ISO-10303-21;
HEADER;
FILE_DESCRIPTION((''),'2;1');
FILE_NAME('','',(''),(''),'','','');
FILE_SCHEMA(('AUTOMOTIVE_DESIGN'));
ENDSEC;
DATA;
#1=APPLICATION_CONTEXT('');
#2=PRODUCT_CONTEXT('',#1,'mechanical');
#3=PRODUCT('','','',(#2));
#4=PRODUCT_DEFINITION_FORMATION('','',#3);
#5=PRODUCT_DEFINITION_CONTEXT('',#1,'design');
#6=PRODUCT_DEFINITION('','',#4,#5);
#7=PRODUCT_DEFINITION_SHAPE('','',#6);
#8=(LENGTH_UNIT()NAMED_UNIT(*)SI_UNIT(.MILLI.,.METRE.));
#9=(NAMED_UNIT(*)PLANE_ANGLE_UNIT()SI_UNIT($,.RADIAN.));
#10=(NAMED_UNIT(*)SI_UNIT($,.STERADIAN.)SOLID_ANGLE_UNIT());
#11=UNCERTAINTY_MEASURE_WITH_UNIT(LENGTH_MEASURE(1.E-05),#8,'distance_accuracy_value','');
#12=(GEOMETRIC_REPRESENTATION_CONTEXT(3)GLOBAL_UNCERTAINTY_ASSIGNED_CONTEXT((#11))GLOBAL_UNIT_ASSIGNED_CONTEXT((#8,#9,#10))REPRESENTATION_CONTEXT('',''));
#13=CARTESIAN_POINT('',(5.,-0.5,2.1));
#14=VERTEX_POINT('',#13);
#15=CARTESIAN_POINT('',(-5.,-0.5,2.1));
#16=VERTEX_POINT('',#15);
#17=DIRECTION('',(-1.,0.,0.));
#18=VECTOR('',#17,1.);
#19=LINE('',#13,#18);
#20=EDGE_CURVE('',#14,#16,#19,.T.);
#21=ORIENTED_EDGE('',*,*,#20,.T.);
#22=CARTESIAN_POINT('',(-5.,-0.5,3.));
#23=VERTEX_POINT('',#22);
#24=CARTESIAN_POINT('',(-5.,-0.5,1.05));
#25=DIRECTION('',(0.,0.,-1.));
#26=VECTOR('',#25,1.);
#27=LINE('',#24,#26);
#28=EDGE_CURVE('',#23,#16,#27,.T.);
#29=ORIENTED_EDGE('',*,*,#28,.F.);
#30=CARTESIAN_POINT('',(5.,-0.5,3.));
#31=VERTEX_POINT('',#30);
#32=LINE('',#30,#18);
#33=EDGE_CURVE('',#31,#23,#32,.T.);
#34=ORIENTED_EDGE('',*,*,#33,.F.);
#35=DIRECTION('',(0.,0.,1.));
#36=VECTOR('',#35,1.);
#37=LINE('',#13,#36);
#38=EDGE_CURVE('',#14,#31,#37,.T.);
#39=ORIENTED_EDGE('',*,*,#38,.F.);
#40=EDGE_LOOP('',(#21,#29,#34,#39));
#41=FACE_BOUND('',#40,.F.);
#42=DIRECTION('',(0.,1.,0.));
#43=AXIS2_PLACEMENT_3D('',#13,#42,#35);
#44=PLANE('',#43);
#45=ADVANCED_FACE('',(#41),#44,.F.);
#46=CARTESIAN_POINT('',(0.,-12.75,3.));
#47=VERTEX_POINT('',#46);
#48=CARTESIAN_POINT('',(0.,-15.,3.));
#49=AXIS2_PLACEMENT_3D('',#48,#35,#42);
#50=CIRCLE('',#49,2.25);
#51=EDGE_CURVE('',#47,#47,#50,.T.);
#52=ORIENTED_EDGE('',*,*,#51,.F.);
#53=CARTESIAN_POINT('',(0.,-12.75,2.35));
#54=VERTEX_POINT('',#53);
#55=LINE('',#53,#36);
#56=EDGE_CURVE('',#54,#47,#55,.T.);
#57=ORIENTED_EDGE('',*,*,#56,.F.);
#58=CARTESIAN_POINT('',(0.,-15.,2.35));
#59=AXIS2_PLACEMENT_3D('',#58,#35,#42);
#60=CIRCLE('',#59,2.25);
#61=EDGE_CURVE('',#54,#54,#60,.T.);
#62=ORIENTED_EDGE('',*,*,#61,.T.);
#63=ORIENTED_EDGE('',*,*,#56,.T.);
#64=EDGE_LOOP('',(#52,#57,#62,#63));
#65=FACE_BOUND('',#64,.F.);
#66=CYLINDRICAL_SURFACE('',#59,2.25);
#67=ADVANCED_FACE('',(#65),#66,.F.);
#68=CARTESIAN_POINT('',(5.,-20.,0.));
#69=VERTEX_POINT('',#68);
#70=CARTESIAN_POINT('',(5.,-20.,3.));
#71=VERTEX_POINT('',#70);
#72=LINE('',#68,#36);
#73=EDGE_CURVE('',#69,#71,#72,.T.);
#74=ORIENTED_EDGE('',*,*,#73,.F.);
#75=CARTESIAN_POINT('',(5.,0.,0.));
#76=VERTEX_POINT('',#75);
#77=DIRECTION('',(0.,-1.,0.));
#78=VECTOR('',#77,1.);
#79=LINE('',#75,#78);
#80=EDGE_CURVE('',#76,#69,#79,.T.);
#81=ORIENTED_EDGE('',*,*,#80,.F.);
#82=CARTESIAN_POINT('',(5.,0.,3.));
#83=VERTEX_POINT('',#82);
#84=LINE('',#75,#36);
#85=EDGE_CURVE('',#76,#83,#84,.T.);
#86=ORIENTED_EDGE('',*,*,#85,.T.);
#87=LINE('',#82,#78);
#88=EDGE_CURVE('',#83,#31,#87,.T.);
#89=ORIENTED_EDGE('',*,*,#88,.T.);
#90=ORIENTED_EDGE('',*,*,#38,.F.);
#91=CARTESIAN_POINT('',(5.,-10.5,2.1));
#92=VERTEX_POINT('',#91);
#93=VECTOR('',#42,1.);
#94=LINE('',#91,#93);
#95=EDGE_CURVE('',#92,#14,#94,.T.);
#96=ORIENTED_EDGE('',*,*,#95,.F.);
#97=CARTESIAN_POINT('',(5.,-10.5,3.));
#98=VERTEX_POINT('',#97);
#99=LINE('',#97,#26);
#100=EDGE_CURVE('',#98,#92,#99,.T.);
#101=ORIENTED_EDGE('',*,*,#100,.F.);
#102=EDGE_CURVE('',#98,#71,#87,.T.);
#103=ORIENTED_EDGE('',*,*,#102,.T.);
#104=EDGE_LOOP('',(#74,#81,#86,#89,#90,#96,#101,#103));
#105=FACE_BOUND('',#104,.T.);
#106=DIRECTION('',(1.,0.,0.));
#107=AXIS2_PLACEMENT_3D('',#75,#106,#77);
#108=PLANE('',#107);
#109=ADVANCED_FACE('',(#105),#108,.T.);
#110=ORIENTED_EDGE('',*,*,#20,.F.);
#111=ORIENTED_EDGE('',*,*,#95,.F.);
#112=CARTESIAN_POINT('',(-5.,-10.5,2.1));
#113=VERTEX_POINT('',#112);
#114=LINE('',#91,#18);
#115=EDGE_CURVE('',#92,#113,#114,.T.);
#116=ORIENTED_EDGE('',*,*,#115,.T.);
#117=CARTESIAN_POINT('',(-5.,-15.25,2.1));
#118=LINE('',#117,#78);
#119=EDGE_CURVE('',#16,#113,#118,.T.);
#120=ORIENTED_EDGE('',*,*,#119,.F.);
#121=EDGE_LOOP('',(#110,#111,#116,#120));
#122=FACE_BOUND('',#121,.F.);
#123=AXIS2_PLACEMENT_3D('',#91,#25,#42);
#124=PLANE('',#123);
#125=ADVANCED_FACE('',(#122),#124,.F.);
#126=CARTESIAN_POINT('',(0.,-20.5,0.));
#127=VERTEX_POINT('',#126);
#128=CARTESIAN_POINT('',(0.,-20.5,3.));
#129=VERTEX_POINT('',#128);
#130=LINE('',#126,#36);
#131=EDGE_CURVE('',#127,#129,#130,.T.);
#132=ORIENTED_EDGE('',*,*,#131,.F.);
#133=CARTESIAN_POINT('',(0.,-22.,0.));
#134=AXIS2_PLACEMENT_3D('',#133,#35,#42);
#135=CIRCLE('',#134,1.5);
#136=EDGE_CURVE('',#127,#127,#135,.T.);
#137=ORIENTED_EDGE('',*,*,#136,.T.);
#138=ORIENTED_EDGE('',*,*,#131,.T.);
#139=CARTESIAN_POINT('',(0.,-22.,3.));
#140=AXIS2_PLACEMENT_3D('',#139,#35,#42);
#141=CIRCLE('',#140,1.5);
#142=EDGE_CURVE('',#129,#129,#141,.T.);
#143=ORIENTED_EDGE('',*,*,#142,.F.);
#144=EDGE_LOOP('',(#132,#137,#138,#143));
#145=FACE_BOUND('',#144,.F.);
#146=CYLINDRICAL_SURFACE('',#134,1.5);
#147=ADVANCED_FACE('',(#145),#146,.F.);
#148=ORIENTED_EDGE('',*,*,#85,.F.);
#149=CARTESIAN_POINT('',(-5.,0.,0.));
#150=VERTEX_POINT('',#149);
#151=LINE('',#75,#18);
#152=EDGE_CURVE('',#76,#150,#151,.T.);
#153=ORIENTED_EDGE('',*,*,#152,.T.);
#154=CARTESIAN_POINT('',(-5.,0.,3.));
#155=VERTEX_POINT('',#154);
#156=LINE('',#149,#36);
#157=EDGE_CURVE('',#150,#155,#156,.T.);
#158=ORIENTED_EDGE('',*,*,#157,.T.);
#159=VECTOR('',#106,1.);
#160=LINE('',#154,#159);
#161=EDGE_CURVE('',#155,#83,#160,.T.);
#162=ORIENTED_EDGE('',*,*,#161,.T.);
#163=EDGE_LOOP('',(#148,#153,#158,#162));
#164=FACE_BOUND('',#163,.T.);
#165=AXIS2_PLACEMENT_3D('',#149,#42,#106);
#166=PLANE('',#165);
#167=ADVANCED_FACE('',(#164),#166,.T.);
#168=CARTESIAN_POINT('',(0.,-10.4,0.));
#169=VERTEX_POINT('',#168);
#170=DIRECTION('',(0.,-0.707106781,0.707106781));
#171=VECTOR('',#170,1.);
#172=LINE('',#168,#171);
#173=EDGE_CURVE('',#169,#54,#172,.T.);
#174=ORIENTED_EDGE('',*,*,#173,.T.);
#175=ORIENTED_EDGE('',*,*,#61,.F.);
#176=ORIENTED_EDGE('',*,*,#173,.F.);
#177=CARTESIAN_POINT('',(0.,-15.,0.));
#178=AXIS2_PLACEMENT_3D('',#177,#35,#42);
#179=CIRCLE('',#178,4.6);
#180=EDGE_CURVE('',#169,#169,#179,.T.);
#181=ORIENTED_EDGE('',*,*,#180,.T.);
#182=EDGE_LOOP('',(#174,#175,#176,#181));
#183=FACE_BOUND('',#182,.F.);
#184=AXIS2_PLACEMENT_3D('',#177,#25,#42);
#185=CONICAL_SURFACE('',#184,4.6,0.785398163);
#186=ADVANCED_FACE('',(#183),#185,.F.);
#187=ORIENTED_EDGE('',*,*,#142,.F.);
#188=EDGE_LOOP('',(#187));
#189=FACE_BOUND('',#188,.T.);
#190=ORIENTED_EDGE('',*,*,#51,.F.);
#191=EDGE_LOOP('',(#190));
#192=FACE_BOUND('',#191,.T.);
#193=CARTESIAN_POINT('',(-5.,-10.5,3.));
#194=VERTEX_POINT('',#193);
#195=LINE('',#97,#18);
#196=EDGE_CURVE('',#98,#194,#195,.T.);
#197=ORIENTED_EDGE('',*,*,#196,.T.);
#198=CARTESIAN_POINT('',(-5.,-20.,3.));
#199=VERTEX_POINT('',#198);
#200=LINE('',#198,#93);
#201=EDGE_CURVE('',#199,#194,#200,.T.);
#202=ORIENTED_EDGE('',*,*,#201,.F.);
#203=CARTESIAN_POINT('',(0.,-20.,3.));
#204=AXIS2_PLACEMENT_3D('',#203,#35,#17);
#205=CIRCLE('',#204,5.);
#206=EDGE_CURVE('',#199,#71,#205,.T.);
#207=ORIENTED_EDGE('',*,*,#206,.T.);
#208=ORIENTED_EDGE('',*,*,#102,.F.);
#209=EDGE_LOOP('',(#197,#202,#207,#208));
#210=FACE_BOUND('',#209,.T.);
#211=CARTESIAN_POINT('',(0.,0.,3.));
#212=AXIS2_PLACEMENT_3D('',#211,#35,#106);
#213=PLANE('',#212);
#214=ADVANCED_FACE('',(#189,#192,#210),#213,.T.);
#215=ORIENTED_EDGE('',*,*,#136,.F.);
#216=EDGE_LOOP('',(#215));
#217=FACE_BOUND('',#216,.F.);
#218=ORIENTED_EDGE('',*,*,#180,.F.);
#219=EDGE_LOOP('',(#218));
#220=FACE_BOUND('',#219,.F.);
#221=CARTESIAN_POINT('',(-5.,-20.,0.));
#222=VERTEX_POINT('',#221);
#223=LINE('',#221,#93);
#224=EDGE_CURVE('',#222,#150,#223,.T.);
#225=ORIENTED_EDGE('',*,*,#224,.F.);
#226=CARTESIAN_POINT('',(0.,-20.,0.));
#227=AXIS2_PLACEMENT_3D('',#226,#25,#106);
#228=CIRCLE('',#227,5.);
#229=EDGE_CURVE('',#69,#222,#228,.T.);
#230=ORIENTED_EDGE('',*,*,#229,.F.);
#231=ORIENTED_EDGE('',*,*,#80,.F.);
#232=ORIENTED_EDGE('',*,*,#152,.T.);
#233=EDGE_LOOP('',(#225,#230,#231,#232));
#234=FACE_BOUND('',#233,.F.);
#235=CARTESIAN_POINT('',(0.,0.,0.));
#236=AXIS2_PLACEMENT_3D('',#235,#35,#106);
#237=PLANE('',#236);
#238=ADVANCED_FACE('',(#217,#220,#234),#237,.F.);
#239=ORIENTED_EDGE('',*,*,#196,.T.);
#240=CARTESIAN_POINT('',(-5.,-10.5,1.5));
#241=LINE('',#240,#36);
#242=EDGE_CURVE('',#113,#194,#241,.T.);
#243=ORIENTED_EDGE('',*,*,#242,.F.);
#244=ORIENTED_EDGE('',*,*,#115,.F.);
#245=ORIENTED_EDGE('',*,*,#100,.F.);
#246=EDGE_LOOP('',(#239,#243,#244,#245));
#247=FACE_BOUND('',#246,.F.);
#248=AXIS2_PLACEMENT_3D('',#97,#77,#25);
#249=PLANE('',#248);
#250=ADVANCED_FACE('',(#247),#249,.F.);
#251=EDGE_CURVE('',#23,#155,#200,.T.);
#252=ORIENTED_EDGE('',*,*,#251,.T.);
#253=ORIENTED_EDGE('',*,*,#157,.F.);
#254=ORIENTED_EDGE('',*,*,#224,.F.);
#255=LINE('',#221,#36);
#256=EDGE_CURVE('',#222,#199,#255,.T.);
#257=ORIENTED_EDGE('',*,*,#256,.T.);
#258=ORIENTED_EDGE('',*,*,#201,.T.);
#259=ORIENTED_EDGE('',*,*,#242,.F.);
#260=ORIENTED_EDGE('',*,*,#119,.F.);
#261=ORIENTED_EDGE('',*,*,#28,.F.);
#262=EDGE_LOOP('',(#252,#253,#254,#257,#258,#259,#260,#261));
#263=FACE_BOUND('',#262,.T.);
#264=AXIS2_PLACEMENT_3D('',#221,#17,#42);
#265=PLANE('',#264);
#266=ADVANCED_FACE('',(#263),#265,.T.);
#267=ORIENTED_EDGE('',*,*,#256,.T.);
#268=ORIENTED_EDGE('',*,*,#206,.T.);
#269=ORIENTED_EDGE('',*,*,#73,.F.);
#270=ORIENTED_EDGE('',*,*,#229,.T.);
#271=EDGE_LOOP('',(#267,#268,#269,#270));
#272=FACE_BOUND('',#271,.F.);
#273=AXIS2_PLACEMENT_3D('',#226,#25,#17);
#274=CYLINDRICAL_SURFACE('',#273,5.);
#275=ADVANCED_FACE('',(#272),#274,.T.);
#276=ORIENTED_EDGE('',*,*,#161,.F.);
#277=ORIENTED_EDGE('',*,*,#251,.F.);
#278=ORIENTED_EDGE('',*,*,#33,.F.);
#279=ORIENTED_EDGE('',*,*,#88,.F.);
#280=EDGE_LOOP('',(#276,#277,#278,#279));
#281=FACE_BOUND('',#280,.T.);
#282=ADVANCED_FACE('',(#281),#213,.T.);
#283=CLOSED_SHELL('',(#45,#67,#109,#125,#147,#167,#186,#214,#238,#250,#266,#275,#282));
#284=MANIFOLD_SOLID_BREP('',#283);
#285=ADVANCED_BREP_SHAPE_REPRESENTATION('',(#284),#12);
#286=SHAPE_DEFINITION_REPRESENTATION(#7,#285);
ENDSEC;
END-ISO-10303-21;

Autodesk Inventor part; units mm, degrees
ref_plane "YZ Plane" through (0, 0, 0) normal (1, 0, 0) x (0, 1, 0)
ref_plane "XZ Plane" through (0, 0, 0) normal (0, 1, 0) x (-1, 0, 0)
ref_plane "XY Plane" through (0, 0, 0) normal (0, 0, 1) x (1, 0, 0)
sketch "Skizze1" plane through (0, 0, 0) normal (0, 0, 1) x (1, 0, 0)
  line L0 (-7, 0) -> (7, 0) projected
  line L1 (0, -30) -> (0, 5) projected
  line L2 (5, -20) -> (-5, -20)
  line L3 (-5, -20) -> (-5, 0)
  line L4 (-5, 0) -> (5, 0)
  line L5 (5, 0) -> (5, -20)
  line L6 (5, -20) -> (-5, 0) construction
  line L7 (-5, -20) -> (5, 0) construction
  arc A0 (-5, -20) -> (5, -20) centre (0, -20) ccw
  point P0 (0, 0)
  point P1 (0, -10)
  dimension "d0" = 10
  dimension "d1" = 20
extrude "Extrusion1" add sketch "Skizze1" along normal blind 3
sketch "Skizze2" plane through (5, -20, 0) normal (1, 0, 0) x (0, 0, -1)
  line L0 (0, 0) -> (0, 20) projected
  line L1 (0, 20) -> (-3, 20) projected
  line L2 (-3, 0) -> (-3, 20) projected
  line L3 (0, 0) -> (-3, 0) projected
  line L4 (-3, 0) -> (-3, 20) projected
  line L5 (-3, 9.5) -> (-2.1, 9.5)
  line L6 (-2.1, 9.5) -> (-2.1, 19.5)
  line L7 (-2.1, 19.5) -> (-3, 19.5)
  line L8 (-3, 19.5) -> (-3, 9.5)
  point P0 (0, 20)
  point P1 (-2.55, 19.5)
  point P2 (-3, 19.5)
  dimension "d4" = 0.9
  dimension "d5" = 0.5
  dimension "d6" = 10
extrude "Extrusion2" cut sketch "Skizze2" against normal through all contours L2 L7 L6 L5
sketch "Skizze4" plane through (0, 0, 0) normal (0, 0, -1) x (-1, 0, 0)
  arc A0 (-5, -20) -> (5, -20) centre (0, -20) ccw projected
  line L0 (5, 0) -> (5, -20) projected
  line L1 (-5, 0) -> (5, 0) projected
  line L2 (-5, -20) -> (-5, 0) projected
  line L3 (0, -32.4) -> (0, 5.4) projected
  line L4 (7, 0) -> (-7, 0) projected
  point P0 (0, 0)
  point P1 (0, -15)
  dimension "d9" = 5
hole "Bohrung1" at (0, -15, 0) direction (0, 0, 1) diameter 4.5 end through all countersink diameter 9.2 countersink angle 90
sketch "Skizze5" plane through (0, 0, 0) normal (0, 0, -1) x (-1, 0, 0)
  line L0 (0, -30) -> (0, 5) projected
  line L1 (7, 0) -> (-7, 0) projected
  circle A0 centre (0, -15) radius 4.6 projected
  point P0 (0, 0)
  point P1 (0, -22)
  dimension "d17" = 7
hole "Bohrung2" at (0, -22, 0) direction (0, 0, 1) diameter 3 end through all
properties part number "24_0497_007"
